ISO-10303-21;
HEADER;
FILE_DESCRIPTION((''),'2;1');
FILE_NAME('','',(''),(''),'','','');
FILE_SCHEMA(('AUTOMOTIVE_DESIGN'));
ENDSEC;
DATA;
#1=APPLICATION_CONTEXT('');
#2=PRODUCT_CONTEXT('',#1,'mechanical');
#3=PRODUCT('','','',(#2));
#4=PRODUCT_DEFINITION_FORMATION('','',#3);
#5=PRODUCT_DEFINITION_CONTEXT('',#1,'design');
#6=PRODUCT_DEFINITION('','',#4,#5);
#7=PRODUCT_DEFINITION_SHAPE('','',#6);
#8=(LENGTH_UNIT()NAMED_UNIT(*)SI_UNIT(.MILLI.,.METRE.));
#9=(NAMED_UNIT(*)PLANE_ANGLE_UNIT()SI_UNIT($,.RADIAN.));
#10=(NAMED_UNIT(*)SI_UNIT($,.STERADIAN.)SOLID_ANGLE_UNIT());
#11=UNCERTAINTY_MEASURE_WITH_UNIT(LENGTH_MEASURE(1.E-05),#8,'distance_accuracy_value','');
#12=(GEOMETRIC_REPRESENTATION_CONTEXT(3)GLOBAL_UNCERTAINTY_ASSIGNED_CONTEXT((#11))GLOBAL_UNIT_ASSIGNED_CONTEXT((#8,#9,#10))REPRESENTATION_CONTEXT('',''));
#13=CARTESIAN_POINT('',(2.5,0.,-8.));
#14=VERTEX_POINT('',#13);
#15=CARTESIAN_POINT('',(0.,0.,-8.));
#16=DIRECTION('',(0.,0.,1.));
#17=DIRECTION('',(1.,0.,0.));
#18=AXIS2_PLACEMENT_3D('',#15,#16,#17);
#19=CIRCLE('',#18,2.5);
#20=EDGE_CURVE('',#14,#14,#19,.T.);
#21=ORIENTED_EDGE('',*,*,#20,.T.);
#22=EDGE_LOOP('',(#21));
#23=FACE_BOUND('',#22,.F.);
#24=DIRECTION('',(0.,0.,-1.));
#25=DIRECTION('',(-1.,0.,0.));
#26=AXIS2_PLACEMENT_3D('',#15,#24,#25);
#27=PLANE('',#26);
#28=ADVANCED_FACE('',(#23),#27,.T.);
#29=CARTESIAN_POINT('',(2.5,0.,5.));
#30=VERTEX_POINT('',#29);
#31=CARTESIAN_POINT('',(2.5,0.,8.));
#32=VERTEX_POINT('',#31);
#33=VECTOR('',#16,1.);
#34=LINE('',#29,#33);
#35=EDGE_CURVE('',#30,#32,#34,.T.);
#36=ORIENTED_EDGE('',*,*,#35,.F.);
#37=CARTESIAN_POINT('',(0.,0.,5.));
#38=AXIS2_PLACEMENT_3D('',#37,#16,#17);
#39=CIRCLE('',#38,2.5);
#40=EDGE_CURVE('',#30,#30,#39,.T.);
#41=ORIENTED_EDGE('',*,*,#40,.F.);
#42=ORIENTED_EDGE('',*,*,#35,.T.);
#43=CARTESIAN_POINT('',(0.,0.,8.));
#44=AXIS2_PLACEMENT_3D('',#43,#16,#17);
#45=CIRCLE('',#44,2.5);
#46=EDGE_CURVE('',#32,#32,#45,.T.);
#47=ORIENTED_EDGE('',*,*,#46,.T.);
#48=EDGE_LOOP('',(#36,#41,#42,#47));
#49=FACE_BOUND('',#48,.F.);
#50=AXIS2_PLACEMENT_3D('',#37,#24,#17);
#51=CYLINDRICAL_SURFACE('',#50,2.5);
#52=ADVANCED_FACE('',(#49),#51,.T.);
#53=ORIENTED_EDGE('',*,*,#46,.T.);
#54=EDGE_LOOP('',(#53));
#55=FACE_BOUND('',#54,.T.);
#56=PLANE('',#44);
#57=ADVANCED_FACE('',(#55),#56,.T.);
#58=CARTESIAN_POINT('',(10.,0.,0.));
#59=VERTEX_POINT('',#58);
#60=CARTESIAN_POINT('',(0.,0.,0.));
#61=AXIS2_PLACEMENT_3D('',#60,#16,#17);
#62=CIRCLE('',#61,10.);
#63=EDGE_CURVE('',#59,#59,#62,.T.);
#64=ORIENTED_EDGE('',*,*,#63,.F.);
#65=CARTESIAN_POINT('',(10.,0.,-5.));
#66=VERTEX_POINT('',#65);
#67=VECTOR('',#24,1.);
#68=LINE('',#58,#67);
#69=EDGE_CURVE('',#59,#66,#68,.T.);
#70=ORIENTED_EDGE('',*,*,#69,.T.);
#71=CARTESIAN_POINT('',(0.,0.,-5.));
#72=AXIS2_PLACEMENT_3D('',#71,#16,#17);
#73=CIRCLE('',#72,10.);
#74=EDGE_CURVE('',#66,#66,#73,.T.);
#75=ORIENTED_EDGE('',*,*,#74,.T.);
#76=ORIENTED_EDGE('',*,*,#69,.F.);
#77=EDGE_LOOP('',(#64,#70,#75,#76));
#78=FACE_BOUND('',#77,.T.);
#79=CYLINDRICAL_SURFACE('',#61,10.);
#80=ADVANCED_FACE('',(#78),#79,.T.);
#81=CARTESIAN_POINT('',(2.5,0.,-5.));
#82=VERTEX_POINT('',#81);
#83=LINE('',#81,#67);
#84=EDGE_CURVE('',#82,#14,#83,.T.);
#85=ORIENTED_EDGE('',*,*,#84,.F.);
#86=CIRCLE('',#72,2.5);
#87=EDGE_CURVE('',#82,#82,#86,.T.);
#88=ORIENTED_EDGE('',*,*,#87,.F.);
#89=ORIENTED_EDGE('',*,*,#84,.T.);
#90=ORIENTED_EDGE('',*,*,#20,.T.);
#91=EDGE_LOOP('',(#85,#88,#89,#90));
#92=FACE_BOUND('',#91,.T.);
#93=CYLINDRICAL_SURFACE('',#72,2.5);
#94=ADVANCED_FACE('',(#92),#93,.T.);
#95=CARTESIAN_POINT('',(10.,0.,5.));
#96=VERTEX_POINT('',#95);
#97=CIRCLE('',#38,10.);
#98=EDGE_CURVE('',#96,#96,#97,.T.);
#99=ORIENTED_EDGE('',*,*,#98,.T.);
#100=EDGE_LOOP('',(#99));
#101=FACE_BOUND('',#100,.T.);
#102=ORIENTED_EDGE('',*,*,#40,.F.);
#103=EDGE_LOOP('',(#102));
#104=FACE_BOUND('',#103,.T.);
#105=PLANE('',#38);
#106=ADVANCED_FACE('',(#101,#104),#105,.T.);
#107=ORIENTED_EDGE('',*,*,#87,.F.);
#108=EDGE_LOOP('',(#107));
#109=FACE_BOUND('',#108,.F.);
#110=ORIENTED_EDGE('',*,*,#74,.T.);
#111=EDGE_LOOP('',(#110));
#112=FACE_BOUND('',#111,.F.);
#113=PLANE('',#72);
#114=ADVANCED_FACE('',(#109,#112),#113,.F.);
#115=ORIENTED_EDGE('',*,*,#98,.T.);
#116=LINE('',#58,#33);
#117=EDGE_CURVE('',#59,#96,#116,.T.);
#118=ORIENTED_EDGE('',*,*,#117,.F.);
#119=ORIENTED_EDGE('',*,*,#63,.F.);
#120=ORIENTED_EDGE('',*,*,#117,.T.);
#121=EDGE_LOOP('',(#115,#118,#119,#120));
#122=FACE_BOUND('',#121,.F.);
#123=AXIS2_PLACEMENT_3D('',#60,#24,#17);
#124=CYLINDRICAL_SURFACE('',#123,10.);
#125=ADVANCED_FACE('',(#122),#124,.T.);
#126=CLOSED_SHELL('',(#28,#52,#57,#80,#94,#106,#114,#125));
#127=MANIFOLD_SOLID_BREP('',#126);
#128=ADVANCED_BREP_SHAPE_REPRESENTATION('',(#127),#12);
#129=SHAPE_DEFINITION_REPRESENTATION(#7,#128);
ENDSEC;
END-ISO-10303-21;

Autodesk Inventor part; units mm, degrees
ref_plane "YZ Plane" through (0, 0, 0) normal (1, 0, 0) x (0, 1, 0)
ref_plane "XZ Plane" through (0, 0, 0) normal (0, 1, 0) x (-1, 0, 0)
ref_plane "XY Plane" through (0, 0, 0) normal (0, 0, 1) x (1, 0, 0)
sketch "草圖1" plane through (0, 0, 0) normal (0, 0, 1) x (1, 0, 0)
  circle A0 centre (0, 0) radius 10
  dimension "d0" = 20
extrude "擠出1" add sketch "草圖1" along normal mid plane 10
sketch "草圖2" plane through (0, 0, 5) normal (0, 0, 1) x (1, 0, 0)
  circle A0 centre (0, 0) radius 2.5
  dimension "d3" = 5
extrude "擠出2" add sketch "草圖2" along normal blind 3
mirror "鏡射1" about plane through (0, 0, 0) normal (0, 0, 1) of "擠出2"
properties part number "滾輪"
